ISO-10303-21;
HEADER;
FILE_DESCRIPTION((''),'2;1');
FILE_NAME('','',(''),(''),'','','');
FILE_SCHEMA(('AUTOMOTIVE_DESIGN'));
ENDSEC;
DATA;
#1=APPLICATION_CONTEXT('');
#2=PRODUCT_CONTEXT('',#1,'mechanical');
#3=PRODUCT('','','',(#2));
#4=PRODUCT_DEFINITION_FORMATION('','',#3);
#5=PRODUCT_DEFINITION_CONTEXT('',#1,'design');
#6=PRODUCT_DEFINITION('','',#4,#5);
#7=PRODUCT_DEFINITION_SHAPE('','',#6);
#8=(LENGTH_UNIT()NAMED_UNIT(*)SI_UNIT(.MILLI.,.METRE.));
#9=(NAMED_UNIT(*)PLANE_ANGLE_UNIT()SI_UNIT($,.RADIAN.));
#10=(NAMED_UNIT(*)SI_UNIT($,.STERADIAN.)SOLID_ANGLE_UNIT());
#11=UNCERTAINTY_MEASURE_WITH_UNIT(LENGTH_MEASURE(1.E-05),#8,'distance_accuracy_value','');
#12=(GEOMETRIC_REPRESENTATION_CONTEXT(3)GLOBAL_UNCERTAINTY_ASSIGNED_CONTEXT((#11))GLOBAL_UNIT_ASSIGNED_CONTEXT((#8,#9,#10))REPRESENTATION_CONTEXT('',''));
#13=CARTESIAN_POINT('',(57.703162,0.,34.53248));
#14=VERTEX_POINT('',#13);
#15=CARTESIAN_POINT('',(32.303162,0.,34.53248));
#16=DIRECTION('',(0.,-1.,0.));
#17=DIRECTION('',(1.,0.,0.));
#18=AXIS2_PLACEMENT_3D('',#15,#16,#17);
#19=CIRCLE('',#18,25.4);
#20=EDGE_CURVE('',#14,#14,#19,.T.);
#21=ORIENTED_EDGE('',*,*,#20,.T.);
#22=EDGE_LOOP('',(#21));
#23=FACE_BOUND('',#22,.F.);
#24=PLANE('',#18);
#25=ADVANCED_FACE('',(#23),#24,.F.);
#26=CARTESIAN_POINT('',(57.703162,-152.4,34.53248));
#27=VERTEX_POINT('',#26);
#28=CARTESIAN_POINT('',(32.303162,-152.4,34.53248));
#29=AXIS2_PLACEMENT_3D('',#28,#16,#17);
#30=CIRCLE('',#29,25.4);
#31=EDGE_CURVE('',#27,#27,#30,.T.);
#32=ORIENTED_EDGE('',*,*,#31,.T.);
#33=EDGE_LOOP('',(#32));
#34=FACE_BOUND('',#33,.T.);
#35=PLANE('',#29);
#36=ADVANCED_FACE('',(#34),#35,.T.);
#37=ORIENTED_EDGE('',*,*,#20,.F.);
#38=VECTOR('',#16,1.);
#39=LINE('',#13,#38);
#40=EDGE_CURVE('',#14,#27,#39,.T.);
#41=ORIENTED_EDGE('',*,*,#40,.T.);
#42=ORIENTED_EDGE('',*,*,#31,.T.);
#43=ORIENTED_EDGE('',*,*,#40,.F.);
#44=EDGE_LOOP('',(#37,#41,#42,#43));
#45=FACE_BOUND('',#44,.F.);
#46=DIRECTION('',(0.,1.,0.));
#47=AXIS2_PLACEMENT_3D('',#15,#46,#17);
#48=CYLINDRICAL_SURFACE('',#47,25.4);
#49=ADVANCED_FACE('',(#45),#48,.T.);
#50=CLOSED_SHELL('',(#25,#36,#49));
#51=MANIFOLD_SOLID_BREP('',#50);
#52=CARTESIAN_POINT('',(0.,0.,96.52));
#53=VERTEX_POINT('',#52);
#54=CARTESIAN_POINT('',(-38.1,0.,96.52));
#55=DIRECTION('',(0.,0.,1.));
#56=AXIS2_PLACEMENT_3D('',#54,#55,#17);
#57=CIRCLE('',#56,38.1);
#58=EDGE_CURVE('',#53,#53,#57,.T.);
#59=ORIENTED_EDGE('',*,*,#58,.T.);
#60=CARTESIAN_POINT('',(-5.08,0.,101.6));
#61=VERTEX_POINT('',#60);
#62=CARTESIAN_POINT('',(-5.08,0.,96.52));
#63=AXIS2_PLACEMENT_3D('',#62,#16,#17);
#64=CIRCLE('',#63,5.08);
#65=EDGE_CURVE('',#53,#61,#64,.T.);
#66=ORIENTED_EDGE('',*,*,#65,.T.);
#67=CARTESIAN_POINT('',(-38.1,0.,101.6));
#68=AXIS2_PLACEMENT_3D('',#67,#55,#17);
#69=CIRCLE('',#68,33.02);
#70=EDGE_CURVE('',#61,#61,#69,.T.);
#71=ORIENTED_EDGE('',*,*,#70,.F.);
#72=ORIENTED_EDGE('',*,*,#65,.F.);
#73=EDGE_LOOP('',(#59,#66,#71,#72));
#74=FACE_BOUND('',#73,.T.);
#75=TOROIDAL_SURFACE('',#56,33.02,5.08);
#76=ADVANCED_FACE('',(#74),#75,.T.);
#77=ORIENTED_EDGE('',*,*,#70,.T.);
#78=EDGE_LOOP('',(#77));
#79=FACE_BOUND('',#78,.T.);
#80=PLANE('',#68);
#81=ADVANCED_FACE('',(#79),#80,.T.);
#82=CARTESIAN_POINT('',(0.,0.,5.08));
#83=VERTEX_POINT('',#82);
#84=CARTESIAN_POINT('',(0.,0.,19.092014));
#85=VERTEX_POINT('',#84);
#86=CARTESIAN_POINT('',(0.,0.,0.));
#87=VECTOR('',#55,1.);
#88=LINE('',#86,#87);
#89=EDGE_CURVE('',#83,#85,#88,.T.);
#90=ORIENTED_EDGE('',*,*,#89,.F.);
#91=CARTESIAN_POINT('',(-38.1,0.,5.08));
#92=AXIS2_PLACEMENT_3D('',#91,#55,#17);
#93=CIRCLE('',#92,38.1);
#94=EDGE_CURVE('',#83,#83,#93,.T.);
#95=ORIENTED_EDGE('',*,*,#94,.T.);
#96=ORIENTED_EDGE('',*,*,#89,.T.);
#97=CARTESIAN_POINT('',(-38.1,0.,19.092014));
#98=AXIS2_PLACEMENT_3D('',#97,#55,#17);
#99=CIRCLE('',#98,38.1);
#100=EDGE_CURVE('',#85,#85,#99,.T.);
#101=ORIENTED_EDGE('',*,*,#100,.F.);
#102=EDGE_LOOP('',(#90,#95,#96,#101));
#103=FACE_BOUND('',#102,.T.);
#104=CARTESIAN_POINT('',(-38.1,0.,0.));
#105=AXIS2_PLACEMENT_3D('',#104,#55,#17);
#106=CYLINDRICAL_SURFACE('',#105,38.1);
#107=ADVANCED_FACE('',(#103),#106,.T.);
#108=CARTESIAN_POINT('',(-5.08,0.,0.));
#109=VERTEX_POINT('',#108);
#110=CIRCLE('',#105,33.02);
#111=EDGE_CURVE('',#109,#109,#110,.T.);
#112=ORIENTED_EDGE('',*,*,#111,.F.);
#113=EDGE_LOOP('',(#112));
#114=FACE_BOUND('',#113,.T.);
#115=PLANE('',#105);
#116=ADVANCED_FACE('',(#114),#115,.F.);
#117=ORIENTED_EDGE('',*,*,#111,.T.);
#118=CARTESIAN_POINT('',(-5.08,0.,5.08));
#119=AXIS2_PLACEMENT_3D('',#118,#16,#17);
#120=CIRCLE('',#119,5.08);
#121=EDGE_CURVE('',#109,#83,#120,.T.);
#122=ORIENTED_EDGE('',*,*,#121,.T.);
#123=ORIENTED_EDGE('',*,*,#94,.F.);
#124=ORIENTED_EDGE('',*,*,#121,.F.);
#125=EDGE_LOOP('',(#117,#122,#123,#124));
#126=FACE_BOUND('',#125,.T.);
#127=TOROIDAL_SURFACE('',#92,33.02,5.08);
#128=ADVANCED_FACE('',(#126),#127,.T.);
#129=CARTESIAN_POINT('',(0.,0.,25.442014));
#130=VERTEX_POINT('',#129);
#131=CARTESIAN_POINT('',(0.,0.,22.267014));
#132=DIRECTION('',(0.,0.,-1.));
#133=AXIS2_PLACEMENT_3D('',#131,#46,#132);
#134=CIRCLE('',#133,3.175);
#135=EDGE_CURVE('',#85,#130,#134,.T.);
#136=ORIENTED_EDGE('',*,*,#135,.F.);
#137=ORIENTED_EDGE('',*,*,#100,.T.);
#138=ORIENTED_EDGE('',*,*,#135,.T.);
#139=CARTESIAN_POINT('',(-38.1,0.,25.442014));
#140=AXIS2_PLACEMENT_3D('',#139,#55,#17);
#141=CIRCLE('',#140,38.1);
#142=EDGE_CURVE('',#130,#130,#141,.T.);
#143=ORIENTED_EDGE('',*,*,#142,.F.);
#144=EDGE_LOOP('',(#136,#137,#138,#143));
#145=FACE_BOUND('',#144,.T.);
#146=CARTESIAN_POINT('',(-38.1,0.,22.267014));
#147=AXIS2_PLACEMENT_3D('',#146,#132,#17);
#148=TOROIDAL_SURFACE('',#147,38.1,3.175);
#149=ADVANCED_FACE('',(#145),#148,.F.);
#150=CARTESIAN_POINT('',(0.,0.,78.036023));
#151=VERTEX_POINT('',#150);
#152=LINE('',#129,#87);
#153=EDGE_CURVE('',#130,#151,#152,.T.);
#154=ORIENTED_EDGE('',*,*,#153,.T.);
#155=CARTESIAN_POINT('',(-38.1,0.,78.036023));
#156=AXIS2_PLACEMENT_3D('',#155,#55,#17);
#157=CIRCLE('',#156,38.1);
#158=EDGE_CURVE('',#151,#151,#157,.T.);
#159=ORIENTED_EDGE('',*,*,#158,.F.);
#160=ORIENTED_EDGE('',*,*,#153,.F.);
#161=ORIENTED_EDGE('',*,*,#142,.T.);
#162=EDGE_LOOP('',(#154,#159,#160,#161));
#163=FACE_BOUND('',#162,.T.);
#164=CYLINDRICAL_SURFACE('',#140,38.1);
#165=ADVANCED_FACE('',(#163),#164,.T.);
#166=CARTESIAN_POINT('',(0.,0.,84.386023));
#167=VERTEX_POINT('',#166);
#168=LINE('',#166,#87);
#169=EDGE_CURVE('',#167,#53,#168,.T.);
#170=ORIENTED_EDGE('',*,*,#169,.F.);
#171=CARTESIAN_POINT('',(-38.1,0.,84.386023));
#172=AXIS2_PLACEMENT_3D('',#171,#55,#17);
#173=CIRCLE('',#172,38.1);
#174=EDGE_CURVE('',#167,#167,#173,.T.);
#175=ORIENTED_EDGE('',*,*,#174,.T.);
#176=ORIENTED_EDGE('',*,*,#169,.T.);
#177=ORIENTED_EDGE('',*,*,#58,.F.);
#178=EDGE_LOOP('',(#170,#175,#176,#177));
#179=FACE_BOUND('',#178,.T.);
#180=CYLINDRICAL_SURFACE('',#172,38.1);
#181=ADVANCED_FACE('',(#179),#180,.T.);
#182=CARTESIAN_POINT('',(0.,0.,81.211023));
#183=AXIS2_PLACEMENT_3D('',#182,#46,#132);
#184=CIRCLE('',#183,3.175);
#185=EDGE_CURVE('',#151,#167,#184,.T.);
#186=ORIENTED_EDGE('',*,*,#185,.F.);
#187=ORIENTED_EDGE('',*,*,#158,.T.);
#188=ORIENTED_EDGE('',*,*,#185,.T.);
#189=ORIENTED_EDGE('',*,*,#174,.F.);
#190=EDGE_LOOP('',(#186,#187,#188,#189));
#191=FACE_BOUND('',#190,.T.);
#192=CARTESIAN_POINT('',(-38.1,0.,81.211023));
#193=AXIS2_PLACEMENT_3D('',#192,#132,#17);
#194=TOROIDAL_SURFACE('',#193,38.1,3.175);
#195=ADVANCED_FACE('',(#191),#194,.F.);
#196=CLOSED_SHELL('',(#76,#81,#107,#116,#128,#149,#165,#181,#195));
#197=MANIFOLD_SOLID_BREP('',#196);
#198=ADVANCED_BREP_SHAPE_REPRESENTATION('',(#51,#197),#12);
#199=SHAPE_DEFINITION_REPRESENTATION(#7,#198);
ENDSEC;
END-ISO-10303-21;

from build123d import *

# Parameters (mm, degrees)
F2_R     = 5.08
F3_R     = 25.4
F4_DEPTH = 152.4


with BuildPart() as f1:
    # F0 (on Front) → F1 (revolve)
    with BuildSketch(Plane.XZ):
        with BuildLine():
            Line((-38.1, 0), (0, 0))
            Line((0, 0), (0, 19.0920137882))
            ThreePointArc((0, 19.0920137882), (-3.175, 22.2670137882), (0, 25.4420137882))
            Line((0, 25.4420137882), (0, 78.0360230327))
            ThreePointArc((0, 78.0360230327), (-3.175, 81.2110230327), (0, 84.3860230327))
            Line((0, 84.3860230327), (0, 101.6))
            Line((0, 101.6), (-38.1, 101.6))
            Line((-38.1, 101.6), (-38.1, 0))
        make_face()
    revolve(axis=Axis((-38.1, 0, 50.8), (0, 0, 1)))

    # F2
    f2_edges = [f1.edges().sort_by_distance(p)[0] for p in [
        (-76.2, 0, 101.6),
        (-76.2, 0, 0),
    ]]
    fillet(f2_edges, radius=F2_R)


with BuildPart() as f4:
    # F3 (on Front) → F4 (new body)
    with BuildSketch(Plane.XZ):
        with Locations((32.3031619191, 34.5324799418)):
            Circle(F3_R)
    extrude(amount=F4_DEPTH)


solid = Compound([f1.part, f4.part])
